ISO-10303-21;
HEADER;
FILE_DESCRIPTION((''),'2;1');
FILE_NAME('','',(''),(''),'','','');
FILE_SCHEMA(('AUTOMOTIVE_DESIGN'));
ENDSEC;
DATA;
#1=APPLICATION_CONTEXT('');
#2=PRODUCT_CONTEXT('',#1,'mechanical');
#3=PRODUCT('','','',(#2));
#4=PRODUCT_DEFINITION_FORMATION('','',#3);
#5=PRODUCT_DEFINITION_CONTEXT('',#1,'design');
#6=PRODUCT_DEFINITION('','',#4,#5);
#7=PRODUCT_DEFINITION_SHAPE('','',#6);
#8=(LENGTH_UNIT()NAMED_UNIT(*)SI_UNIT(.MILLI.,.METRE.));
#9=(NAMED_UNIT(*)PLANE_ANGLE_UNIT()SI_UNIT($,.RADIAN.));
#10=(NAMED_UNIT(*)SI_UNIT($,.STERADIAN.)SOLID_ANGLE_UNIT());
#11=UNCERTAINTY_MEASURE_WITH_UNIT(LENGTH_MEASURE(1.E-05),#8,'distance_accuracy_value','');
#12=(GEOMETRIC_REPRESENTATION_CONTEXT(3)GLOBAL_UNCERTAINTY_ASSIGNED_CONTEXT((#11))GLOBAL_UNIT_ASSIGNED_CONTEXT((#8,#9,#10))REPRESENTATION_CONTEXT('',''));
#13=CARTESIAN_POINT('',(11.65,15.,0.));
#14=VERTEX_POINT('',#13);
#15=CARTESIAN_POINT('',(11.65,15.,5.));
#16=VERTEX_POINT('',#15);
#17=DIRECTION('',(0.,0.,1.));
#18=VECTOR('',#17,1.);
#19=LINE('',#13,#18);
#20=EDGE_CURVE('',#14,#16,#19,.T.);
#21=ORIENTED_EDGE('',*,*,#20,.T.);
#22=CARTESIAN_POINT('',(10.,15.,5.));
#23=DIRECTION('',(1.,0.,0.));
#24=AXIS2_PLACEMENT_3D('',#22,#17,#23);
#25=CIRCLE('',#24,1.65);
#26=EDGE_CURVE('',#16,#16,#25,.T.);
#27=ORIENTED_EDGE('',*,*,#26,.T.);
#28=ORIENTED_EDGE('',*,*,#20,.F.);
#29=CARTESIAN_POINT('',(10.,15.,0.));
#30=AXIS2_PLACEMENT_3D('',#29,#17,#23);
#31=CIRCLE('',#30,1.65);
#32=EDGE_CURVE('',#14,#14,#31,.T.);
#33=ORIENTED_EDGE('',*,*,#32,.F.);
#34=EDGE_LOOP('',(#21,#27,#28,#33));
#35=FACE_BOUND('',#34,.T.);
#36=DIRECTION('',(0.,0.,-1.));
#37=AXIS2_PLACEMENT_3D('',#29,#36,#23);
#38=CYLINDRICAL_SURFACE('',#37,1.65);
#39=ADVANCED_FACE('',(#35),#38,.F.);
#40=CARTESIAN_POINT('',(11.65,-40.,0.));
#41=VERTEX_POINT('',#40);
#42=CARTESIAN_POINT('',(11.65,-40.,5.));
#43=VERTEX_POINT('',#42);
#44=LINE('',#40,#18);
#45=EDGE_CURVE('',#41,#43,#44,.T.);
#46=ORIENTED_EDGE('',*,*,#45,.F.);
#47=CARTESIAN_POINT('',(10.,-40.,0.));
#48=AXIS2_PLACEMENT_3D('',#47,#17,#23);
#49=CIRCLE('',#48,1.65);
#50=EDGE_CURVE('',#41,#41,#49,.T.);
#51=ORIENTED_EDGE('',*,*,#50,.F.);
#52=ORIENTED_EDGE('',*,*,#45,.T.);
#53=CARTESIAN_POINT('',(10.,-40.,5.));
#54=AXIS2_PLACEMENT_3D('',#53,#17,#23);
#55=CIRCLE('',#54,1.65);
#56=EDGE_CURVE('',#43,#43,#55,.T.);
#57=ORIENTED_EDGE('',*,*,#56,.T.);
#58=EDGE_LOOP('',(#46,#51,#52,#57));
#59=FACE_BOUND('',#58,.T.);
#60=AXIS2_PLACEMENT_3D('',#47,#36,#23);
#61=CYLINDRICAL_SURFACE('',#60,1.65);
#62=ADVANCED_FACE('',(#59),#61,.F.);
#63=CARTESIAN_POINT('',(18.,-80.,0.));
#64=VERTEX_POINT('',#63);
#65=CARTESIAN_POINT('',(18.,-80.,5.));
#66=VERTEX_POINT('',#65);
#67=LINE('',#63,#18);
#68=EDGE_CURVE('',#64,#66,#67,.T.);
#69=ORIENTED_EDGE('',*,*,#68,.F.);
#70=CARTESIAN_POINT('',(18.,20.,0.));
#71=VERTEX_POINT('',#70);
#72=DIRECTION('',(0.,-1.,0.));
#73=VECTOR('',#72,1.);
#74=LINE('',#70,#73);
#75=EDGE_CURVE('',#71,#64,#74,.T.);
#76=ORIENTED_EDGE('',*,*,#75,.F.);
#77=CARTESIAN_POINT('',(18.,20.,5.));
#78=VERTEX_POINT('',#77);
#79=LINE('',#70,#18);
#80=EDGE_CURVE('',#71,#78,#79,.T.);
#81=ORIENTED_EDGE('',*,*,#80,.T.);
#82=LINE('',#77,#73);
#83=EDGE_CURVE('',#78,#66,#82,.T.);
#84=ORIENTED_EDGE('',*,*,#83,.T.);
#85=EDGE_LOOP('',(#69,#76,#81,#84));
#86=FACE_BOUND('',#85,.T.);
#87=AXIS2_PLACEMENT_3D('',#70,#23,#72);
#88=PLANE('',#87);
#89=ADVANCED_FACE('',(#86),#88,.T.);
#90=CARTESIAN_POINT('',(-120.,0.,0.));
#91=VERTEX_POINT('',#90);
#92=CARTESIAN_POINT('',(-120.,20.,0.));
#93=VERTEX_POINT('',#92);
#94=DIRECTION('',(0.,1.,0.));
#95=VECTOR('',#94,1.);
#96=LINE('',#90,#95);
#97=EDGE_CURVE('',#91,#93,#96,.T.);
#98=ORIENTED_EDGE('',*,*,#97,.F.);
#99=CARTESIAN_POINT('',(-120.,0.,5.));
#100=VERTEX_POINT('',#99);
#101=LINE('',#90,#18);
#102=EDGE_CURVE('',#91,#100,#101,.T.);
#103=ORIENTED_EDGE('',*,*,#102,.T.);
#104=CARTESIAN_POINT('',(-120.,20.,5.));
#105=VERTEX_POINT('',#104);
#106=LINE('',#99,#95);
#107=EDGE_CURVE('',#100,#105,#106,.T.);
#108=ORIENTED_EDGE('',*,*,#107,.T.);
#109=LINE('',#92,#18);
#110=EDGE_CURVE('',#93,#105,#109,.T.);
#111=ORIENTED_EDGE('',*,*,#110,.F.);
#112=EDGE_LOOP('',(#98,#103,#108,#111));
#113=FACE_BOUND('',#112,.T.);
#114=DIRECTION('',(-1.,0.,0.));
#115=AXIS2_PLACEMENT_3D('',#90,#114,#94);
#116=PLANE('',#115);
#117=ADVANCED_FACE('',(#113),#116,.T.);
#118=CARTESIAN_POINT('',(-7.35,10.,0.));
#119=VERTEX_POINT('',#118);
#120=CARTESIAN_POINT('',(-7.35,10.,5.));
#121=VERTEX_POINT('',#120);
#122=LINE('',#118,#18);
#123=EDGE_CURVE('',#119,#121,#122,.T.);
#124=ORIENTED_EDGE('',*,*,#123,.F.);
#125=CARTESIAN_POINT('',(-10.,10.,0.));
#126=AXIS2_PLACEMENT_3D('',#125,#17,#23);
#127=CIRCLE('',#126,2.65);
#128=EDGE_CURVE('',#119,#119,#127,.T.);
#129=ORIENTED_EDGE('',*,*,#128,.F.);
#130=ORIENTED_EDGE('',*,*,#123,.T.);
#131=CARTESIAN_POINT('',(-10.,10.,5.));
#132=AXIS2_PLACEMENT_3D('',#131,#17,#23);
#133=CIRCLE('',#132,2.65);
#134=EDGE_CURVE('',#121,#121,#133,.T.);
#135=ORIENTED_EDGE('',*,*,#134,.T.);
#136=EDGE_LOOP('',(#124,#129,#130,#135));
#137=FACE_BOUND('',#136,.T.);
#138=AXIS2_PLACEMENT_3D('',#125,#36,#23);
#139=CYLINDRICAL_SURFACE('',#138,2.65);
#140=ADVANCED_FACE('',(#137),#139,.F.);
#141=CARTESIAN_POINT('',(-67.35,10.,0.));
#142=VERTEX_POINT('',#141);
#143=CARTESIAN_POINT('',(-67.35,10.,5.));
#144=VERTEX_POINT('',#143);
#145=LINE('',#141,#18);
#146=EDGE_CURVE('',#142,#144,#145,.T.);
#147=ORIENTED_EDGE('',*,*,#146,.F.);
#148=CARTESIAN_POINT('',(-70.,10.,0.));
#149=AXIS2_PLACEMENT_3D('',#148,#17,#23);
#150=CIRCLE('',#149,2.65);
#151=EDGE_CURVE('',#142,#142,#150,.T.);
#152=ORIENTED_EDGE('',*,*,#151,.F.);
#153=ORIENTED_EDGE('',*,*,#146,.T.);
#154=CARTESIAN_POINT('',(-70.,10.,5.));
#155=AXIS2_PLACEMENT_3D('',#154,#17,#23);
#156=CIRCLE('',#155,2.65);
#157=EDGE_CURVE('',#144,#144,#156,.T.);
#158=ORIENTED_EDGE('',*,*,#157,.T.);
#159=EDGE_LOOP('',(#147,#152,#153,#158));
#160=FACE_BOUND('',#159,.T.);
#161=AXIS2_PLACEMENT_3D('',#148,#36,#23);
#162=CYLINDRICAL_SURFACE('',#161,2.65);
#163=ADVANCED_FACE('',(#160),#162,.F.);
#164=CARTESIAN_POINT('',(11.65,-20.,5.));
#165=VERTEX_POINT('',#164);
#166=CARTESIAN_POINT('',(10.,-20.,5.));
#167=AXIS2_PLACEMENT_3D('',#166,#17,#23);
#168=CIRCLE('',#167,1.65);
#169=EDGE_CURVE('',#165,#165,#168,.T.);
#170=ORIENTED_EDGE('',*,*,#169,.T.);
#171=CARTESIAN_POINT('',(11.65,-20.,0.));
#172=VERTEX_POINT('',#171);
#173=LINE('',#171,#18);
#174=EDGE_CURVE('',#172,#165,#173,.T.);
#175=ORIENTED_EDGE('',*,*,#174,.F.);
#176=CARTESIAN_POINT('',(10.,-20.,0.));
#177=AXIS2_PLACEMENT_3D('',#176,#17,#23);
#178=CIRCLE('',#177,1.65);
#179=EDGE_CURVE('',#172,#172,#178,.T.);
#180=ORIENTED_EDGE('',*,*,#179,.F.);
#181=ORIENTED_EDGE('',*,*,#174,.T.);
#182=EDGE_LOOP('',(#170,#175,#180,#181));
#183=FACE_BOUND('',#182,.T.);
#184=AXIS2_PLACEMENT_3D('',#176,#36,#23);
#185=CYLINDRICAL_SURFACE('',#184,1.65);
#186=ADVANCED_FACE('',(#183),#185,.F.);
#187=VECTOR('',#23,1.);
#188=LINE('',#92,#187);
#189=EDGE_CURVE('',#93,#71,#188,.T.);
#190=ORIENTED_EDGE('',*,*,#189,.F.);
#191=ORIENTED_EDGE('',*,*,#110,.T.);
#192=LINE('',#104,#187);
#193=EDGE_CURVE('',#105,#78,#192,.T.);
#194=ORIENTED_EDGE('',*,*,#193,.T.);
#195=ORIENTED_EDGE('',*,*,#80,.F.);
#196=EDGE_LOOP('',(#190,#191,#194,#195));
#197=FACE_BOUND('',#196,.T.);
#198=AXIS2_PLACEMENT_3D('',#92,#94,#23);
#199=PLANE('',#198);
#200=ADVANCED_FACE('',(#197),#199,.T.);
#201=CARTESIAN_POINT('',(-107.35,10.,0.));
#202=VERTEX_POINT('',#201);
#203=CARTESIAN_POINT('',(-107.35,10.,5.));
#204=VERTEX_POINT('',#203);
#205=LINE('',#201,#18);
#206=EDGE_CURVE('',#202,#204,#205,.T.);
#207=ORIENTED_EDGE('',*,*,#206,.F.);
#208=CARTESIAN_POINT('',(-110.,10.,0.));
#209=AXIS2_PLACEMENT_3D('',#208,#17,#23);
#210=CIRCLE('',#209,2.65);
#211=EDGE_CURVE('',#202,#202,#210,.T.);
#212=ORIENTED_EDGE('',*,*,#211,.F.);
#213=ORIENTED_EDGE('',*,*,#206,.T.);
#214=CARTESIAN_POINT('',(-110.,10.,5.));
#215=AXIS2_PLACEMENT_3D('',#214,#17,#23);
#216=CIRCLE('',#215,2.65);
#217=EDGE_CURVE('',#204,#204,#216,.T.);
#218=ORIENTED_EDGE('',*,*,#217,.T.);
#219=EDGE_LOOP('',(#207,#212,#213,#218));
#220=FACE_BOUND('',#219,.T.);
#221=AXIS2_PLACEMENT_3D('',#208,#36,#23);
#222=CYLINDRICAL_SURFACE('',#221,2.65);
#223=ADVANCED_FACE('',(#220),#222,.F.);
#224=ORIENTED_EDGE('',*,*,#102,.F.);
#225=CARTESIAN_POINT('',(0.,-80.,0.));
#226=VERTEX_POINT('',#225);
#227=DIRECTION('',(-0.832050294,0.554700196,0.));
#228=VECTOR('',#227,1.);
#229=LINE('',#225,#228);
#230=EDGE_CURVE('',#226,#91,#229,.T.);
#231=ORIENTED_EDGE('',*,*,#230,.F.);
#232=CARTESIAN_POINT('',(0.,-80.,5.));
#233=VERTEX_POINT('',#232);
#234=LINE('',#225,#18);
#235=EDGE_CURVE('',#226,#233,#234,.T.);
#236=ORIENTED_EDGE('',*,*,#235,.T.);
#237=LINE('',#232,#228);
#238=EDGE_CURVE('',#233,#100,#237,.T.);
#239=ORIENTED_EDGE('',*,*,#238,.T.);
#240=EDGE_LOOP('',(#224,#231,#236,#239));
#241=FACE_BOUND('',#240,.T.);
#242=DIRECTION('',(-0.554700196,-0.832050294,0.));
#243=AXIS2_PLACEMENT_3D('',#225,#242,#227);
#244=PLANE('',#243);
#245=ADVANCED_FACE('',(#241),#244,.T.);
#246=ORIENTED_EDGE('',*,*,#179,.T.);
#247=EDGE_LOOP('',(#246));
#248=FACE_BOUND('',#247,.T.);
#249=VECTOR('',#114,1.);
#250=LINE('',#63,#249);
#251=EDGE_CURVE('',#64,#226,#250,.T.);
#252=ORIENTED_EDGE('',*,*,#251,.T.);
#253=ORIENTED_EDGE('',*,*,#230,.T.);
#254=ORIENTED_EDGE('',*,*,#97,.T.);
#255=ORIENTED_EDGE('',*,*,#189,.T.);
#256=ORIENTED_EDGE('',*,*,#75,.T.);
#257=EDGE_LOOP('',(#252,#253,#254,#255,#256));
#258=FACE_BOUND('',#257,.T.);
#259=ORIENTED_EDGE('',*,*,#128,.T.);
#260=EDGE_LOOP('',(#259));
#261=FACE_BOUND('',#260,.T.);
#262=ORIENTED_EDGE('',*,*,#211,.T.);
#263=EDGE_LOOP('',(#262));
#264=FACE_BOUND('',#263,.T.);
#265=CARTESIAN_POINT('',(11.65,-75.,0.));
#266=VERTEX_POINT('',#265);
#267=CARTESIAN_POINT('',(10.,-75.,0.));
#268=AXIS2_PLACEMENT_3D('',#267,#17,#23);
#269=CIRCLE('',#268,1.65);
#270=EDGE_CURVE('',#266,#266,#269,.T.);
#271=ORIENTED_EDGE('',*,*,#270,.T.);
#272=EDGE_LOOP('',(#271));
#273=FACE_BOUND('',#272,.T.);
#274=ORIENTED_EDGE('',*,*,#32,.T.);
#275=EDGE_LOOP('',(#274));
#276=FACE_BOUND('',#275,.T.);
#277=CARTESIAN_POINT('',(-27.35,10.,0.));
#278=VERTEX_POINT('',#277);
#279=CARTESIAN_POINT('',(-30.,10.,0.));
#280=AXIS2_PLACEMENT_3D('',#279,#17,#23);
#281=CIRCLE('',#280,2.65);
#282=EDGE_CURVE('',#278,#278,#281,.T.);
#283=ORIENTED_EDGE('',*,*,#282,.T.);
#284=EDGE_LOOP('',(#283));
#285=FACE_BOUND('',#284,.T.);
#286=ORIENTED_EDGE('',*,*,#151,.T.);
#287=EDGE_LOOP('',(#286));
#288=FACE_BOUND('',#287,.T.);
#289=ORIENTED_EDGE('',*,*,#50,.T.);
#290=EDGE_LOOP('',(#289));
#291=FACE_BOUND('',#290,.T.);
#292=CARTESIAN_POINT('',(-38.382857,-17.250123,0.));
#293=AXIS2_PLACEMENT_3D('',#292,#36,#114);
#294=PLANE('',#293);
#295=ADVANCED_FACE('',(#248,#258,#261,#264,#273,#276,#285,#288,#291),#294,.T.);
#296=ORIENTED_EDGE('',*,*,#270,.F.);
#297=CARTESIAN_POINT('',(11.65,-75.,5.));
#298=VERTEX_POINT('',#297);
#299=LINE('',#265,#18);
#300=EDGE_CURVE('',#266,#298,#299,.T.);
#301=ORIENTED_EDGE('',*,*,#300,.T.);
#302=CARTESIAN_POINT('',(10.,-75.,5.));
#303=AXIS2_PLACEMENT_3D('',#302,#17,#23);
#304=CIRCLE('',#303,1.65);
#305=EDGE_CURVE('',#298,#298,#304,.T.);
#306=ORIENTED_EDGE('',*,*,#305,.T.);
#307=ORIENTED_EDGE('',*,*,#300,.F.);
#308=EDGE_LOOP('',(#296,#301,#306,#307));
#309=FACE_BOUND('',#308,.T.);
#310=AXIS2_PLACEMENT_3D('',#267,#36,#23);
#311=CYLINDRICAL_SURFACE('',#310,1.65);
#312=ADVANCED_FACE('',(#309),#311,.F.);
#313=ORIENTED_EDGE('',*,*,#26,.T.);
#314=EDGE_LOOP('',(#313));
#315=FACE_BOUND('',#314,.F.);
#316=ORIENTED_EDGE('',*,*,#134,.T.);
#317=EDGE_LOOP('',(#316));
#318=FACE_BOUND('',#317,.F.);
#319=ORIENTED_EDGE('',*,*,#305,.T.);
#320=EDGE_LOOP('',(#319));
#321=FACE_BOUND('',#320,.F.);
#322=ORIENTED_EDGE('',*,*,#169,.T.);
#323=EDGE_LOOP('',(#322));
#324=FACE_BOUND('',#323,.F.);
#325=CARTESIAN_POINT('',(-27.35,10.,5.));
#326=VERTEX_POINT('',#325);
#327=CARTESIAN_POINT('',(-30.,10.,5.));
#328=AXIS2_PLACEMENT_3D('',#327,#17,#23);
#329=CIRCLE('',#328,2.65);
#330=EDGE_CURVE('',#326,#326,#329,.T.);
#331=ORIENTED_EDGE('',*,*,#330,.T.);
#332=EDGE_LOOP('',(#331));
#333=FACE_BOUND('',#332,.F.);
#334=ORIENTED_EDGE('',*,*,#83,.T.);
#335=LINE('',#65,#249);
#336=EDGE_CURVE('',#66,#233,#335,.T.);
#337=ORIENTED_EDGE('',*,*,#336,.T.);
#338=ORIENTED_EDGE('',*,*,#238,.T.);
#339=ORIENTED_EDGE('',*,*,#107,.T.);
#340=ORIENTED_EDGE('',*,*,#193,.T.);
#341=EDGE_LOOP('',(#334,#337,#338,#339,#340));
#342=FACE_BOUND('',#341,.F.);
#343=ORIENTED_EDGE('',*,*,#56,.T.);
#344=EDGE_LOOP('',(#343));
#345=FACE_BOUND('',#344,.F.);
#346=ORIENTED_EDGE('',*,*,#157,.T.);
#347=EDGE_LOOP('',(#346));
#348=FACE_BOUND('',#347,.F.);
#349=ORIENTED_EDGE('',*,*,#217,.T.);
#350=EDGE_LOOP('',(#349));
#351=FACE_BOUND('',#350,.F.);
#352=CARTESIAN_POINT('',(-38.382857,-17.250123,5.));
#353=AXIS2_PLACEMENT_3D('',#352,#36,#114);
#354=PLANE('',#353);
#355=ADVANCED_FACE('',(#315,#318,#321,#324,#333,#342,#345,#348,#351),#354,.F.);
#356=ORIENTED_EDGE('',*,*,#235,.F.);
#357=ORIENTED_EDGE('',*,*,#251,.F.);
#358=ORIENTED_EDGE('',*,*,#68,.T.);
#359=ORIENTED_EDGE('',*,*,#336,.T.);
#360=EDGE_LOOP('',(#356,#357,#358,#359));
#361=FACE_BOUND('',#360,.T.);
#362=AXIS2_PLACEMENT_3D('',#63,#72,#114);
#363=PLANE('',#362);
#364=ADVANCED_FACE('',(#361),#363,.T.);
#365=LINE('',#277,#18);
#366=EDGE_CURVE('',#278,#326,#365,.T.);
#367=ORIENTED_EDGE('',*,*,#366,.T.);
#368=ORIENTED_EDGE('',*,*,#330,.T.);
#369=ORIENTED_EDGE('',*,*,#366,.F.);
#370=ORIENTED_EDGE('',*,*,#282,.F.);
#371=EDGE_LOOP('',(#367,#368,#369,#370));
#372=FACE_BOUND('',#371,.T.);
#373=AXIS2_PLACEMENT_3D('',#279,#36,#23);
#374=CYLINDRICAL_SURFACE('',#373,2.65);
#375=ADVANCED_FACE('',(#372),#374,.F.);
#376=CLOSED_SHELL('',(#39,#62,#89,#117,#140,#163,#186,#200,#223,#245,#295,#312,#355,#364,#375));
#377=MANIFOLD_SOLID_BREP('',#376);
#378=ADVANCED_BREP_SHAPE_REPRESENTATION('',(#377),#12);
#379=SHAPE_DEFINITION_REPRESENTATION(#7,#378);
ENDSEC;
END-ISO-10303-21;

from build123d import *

# Parameters (mm, degrees)
SKETCH_R   = 2.65
SKETCH_R_2 = 1.65
PAD_DEPTH  = 5


with BuildPart() as part:
    # Sketch → Pad (new body)
    with BuildSketch(Plane.XY):
        Polygon((-120, 20), (18, 20), (18, -80), (0, -80), (-120, 0), align=None)
        with Locations((-10, 10)):
            Circle(SKETCH_R, mode=Mode.SUBTRACT)
        with Locations((-110, 10)):
            Circle(SKETCH_R, mode=Mode.SUBTRACT)
        with Locations((-70, 10)):
            Circle(SKETCH_R, mode=Mode.SUBTRACT)
        with Locations((-30, 10)):
            Circle(SKETCH_R, mode=Mode.SUBTRACT)
        with Locations((10, 15)):
            Circle(SKETCH_R_2, mode=Mode.SUBTRACT)
        with Locations((10, -20)):
            Circle(SKETCH_R_2, mode=Mode.SUBTRACT)
        with Locations((10, -40)):
            Circle(SKETCH_R_2, mode=Mode.SUBTRACT)
        with Locations((10, -75)):
            Circle(SKETCH_R_2, mode=Mode.SUBTRACT)
    extrude(amount=PAD_DEPTH)


solid = part.part
